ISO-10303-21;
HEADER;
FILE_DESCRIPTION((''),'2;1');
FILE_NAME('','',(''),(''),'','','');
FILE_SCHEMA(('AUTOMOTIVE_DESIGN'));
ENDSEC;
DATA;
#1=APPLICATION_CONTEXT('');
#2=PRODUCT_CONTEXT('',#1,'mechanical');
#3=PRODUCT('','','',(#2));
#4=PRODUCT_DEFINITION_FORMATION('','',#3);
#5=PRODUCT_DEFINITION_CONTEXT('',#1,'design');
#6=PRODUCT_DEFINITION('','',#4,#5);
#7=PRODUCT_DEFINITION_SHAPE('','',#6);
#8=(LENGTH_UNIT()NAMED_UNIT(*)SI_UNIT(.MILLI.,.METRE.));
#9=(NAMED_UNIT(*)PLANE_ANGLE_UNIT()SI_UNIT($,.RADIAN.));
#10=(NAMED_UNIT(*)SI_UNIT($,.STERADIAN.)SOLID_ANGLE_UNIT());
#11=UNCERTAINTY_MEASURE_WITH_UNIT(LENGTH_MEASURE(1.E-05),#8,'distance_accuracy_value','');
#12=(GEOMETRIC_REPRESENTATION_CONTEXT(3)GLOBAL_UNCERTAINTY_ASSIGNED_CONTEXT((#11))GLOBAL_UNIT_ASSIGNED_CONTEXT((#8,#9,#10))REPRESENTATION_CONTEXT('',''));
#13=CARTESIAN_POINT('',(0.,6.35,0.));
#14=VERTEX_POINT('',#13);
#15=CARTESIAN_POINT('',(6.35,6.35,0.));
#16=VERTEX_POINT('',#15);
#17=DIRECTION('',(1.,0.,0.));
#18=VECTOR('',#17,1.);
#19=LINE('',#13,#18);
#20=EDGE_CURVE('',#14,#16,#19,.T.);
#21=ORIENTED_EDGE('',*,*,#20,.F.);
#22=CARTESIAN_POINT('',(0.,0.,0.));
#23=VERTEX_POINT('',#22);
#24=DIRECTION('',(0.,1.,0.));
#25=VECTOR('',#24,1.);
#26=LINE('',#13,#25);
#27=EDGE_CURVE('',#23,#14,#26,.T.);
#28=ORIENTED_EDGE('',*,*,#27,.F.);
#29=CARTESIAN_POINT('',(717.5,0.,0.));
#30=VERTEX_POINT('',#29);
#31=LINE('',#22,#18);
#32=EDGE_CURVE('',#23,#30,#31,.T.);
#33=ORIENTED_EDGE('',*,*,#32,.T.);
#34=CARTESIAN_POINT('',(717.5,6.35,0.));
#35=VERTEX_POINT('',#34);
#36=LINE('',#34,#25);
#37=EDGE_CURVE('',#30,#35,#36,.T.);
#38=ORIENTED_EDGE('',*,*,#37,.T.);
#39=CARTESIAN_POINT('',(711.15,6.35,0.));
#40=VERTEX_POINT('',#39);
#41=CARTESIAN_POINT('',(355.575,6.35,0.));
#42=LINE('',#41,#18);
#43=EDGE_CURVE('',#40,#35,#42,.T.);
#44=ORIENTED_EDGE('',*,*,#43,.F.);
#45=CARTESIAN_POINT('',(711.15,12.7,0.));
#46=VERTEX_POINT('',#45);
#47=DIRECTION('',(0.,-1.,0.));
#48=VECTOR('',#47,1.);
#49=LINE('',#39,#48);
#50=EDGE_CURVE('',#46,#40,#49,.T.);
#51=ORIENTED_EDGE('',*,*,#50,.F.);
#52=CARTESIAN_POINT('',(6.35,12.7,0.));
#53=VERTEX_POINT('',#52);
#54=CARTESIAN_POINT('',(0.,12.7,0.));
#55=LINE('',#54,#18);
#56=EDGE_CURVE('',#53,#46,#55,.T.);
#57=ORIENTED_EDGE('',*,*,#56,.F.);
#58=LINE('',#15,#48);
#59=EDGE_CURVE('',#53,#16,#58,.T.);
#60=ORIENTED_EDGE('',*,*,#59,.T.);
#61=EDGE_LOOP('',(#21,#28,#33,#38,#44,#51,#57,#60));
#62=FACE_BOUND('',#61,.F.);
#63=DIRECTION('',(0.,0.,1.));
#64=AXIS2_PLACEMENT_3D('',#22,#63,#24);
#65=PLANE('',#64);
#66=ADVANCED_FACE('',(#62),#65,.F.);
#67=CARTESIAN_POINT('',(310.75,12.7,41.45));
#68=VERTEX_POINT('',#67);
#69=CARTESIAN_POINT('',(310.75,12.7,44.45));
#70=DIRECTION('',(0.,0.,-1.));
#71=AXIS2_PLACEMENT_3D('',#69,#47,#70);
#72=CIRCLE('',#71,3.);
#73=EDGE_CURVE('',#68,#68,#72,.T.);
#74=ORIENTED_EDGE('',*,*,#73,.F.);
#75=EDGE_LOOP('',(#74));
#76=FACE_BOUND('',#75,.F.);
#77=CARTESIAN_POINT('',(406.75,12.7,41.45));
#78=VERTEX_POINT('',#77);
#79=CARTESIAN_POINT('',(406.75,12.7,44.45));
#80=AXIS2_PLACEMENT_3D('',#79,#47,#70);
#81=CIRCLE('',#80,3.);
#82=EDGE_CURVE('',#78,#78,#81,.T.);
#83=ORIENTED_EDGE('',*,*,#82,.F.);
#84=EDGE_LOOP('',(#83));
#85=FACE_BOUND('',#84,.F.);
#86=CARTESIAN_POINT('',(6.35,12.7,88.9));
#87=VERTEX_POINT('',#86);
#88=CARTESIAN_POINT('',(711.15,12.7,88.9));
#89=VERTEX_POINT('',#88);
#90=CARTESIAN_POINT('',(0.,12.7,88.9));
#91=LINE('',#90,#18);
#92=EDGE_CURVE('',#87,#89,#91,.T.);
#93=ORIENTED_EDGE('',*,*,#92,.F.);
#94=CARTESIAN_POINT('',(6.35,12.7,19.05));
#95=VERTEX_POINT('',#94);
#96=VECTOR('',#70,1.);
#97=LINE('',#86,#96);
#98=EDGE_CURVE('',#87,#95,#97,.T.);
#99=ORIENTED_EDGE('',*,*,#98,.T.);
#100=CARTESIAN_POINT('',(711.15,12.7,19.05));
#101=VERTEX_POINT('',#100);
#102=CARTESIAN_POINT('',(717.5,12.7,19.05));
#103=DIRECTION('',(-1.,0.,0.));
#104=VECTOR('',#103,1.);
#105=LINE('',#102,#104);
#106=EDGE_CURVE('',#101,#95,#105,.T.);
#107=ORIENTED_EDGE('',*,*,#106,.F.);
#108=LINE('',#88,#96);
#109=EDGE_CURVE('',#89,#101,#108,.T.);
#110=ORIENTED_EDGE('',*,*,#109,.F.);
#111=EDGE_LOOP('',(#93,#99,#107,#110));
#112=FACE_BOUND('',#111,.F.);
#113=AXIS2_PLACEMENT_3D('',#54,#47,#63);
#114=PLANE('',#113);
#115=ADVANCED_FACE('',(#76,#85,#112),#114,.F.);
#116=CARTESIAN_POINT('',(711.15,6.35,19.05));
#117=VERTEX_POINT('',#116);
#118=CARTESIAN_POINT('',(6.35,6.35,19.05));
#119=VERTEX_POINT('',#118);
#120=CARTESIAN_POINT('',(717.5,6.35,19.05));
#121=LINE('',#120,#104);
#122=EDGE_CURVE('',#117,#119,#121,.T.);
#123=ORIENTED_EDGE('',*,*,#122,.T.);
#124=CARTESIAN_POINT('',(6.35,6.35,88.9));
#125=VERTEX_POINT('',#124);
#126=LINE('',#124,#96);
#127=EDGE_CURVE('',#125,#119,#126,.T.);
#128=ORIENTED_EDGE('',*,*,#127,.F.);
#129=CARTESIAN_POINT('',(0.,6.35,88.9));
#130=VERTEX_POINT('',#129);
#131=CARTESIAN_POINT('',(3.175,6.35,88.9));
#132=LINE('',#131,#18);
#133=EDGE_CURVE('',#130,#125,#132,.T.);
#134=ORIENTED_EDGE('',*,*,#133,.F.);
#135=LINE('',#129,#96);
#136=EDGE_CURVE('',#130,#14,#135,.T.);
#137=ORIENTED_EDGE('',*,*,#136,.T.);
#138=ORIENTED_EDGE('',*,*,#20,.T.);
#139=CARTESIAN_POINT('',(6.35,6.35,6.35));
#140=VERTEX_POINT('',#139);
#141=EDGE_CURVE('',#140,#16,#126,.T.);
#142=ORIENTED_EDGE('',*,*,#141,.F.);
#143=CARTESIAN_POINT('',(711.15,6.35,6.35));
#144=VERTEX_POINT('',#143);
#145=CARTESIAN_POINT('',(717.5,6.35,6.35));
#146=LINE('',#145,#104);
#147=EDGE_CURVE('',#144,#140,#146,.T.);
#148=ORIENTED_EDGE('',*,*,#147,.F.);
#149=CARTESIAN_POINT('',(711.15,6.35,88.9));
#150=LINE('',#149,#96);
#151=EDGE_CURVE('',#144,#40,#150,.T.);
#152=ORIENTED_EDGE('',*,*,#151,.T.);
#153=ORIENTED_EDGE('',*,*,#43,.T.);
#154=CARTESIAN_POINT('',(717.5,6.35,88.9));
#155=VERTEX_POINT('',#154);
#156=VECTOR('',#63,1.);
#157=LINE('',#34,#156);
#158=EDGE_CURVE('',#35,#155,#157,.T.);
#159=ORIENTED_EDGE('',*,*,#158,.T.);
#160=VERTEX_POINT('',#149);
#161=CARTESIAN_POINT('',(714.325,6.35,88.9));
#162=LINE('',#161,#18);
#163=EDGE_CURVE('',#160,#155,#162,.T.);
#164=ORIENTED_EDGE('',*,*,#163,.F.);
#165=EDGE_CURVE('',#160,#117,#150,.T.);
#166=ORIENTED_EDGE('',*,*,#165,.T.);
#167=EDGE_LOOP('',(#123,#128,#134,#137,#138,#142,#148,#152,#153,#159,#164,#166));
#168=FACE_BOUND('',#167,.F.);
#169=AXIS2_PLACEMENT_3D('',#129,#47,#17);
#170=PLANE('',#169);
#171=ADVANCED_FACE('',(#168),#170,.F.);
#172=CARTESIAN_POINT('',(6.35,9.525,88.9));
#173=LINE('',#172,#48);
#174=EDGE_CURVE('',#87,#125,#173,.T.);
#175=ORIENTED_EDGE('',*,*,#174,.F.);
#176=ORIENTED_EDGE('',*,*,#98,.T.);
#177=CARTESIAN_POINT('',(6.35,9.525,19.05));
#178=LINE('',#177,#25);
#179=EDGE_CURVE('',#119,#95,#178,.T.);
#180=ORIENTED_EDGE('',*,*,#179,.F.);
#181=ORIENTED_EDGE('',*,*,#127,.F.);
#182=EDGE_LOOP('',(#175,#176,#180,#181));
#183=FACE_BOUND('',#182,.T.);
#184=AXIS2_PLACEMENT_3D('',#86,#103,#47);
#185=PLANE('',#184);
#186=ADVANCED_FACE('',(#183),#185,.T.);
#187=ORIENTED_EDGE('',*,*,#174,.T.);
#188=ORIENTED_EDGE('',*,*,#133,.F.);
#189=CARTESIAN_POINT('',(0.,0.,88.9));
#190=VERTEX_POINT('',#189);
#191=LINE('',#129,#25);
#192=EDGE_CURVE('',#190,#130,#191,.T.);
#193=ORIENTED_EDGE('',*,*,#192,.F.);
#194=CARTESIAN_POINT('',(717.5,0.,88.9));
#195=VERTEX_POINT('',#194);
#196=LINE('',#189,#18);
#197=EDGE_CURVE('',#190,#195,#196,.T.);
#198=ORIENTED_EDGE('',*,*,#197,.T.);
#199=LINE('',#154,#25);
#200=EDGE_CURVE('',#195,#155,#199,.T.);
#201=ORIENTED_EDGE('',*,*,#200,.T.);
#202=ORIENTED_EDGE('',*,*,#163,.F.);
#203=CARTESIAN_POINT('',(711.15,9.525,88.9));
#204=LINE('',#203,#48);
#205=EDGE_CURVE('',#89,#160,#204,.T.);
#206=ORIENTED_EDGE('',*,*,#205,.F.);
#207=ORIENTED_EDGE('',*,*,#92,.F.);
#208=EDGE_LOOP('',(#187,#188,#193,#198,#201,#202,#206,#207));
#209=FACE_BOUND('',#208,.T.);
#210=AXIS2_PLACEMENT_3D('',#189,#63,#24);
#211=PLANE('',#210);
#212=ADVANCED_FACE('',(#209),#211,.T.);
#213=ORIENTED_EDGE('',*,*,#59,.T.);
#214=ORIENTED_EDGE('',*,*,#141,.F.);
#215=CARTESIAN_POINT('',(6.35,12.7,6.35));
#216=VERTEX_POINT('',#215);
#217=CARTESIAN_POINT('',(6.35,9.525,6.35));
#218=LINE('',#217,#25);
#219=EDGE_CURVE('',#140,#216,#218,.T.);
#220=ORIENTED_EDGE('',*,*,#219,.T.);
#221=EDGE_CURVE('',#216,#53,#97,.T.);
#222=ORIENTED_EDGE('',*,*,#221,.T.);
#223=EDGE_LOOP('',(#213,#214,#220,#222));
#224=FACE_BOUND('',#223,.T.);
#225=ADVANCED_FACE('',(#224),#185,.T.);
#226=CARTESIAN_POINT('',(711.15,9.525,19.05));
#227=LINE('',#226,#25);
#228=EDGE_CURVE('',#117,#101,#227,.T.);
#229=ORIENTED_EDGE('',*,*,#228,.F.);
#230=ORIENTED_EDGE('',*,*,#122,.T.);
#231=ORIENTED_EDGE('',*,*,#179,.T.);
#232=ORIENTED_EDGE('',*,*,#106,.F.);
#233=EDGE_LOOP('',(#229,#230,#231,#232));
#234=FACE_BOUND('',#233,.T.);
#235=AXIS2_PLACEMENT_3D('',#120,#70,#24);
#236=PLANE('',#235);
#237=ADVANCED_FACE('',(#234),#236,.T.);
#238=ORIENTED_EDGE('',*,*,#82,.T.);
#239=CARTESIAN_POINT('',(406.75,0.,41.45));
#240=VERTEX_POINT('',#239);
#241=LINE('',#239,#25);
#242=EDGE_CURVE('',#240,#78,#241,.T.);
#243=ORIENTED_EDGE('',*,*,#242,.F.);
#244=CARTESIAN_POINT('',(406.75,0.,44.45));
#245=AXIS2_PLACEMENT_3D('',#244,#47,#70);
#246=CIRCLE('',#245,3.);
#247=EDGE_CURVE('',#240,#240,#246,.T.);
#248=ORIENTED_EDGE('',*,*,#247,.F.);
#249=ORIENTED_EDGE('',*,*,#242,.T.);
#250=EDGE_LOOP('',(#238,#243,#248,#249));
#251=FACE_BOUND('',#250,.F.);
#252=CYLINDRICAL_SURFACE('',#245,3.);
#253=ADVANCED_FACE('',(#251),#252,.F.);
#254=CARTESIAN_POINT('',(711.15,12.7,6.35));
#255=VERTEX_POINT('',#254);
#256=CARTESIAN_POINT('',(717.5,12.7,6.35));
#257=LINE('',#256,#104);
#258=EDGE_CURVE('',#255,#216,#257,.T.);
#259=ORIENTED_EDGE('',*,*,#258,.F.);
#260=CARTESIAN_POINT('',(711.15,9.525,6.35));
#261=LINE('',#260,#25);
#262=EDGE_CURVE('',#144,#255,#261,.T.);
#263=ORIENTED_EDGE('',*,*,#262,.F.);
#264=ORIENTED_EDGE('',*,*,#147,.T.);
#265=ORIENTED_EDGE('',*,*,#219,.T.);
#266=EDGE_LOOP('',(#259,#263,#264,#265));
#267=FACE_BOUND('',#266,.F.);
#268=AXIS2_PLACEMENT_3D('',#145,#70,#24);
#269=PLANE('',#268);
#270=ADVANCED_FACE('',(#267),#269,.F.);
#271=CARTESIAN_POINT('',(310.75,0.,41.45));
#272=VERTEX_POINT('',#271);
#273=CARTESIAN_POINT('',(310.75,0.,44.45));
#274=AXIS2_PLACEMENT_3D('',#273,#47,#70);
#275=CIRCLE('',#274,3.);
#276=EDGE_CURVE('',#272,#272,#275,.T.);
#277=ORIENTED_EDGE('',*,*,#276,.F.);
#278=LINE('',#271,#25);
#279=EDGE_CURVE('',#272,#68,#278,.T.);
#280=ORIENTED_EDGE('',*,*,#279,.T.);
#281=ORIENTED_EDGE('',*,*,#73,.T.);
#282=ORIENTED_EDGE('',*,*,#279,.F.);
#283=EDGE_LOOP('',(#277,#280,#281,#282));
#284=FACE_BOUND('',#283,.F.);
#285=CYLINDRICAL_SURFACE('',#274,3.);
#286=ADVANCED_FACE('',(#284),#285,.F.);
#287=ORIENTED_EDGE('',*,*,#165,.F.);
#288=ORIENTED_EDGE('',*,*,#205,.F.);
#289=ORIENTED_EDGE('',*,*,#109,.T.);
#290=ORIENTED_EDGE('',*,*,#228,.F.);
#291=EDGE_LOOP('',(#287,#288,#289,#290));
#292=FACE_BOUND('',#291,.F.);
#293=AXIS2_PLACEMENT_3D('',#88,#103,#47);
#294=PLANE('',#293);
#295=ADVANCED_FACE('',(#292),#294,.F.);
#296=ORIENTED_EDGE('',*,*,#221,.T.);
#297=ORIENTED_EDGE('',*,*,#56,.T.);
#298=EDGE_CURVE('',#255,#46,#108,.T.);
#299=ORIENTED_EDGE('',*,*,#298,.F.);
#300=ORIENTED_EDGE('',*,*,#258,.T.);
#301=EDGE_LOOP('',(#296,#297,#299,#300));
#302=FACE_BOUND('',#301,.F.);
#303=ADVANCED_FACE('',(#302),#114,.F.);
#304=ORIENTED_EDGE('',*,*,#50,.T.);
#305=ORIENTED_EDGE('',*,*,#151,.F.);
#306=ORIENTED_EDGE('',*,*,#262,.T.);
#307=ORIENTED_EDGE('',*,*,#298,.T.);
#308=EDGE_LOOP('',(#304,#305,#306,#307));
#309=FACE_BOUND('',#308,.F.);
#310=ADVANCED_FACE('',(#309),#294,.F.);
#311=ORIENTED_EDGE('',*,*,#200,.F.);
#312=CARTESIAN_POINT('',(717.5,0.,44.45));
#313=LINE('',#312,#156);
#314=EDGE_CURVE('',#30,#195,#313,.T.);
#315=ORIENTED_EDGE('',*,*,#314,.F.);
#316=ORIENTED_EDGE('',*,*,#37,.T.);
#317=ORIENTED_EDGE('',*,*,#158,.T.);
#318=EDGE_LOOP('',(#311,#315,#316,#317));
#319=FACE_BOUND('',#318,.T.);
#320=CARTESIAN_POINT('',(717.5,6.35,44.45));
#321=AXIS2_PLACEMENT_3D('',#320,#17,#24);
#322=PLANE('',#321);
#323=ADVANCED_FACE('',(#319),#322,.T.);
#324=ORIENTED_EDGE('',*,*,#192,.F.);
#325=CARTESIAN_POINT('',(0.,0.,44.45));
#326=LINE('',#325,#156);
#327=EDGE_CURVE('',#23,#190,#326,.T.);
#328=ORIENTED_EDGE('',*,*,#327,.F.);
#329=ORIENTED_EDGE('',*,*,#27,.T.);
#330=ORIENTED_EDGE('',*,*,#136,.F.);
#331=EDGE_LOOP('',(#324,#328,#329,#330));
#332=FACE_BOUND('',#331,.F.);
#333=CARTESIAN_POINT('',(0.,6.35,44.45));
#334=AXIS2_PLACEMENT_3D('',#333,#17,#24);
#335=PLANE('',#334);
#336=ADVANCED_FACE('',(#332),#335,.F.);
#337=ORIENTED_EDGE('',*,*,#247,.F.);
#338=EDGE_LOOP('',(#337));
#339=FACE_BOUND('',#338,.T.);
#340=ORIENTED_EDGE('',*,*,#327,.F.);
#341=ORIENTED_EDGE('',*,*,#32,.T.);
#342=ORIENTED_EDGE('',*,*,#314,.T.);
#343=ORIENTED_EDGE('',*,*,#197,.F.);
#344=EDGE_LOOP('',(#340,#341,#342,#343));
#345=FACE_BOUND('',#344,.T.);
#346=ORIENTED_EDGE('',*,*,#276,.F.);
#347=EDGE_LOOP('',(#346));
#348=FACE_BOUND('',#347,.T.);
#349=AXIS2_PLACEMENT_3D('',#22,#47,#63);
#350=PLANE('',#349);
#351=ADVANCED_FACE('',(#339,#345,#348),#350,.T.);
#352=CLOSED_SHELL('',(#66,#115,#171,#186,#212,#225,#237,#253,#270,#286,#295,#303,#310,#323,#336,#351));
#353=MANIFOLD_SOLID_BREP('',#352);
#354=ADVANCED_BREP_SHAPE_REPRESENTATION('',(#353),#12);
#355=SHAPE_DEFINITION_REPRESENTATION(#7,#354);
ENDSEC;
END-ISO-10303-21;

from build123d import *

# Parameters (mm, degrees)
SKETCH_W        = 12.7
SKETCH_H        = 88.9
PAD_DEPTH       = 717.5
SKETCH001_W     = 6.35
SKETCH001_H     = 12.7
POCKET_DEPTH    = 717.501
SKETCH002_W     = 6.35
SKETCH002_H     = 6.35
POCKET001_DEPTH = 88.901
SKETCH003_R     = 3
HOLE_DEPTH      = 12.701


with BuildPart() as part:
    # Sketch → Pad (new body)
    with BuildSketch(Plane.YZ):
        with Locations((6.35, 44.45)):
            Rectangle(SKETCH_W, SKETCH_H)
    extrude(amount=PAD_DEPTH)

    # Sketch001 (on Face6 of Pad) → Pocket (cut, through all)
    with BuildSketch(Plane.YZ.offset(717.5)):
        with Locations((9.525, 12.7)):
            Rectangle(SKETCH001_W, SKETCH001_H)
    extrude(amount=-POCKET_DEPTH, mode=Mode.SUBTRACT)

    # Sketch002 (on Face6 of Pocket) → Pocket001 (cut, through all)
    with BuildSketch(Plane(origin=(0, 0, 88.9), x_dir=(0, -1, 0), z_dir=(0, 0, 1))):
        with Locations((-9.525, 714.325)):
            Rectangle(SKETCH002_W, SKETCH002_H)
        with Locations((-9.525, 3.175)):
            Rectangle(SKETCH002_W, SKETCH002_H)
    extrude(amount=-POCKET001_DEPTH, mode=Mode.SUBTRACT)

    # Sketch003 (on Face9 of Pocket001) → Hole (cut, through all)
    with BuildSketch(Plane(origin=(0, 0, 0), x_dir=(0, 0, -1), z_dir=(0, -1, 0))):
        with Locations((-44.45, 310.75)):
            Circle(SKETCH003_R)
        with Locations((-44.45, 406.75)):
            Circle(SKETCH003_R)
    extrude(amount=-HOLE_DEPTH, mode=Mode.SUBTRACT)


solid = part.part
